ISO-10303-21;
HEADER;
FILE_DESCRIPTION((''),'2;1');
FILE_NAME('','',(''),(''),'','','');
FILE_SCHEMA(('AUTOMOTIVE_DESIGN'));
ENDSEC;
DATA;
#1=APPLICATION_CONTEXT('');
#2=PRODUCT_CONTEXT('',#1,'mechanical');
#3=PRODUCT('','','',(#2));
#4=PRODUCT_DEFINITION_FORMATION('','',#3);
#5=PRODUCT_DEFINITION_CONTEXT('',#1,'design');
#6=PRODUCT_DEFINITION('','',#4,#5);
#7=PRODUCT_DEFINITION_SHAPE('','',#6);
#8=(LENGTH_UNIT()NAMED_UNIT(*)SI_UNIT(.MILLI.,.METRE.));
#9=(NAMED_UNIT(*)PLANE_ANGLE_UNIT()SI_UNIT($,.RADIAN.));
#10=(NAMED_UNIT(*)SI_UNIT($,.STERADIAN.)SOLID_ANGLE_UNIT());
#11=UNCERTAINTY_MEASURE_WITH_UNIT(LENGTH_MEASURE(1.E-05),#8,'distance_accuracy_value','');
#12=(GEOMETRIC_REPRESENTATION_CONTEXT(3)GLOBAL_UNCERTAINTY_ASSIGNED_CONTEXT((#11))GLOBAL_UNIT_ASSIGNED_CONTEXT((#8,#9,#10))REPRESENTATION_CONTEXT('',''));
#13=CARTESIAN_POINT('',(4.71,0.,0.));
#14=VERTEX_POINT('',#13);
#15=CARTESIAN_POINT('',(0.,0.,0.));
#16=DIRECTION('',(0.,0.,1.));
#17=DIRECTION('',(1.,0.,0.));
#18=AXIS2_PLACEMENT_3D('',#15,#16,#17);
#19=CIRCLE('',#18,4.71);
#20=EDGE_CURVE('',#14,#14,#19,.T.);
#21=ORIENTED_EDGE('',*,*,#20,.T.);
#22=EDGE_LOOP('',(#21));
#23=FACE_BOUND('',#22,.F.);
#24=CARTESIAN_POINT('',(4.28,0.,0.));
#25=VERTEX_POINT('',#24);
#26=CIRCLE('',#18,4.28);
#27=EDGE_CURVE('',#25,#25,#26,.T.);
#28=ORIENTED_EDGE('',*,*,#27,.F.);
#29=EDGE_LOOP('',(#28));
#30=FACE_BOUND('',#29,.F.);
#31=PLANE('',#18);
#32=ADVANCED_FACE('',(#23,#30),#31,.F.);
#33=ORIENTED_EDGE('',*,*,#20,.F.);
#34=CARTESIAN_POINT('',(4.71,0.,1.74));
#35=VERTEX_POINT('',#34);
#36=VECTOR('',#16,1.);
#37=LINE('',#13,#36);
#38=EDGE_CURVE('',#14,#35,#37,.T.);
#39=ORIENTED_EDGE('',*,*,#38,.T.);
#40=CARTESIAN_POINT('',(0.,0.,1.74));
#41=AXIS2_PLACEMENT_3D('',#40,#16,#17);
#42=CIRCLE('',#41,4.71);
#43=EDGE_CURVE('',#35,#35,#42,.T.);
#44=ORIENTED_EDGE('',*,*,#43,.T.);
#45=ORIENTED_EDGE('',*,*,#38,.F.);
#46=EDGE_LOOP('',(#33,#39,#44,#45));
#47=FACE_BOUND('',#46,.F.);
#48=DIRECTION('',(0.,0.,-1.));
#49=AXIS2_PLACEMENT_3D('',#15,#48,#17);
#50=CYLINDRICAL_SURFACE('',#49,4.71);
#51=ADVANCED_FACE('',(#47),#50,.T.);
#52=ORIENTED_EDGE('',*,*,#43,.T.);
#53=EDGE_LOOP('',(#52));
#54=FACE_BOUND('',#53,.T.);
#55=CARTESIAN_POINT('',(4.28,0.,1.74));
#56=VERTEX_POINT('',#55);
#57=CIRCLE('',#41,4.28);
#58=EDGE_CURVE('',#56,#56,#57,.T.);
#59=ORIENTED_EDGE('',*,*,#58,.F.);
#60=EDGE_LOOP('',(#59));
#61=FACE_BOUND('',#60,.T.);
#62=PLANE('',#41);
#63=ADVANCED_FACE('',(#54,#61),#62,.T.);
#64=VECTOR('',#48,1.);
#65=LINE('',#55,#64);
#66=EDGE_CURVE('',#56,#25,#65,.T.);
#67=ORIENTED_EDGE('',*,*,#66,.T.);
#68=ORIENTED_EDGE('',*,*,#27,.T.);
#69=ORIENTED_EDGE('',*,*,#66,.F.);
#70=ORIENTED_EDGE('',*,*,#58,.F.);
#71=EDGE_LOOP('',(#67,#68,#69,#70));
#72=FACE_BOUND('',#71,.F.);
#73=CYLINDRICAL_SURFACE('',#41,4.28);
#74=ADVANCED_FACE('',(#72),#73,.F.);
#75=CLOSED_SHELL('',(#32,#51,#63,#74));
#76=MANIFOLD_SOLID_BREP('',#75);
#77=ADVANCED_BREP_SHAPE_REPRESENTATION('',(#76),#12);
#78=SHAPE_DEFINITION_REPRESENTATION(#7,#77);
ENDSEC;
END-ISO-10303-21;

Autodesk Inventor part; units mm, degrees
ref_plane "YZ Plane" through (0, 0, 0) normal (1, 0, 0) x (0, 1, 0)
ref_plane "XZ Plane" through (0, 0, 0) normal (0, 1, 0) x (-1, 0, 0)
ref_plane "XY Plane" through (0, 0, 0) normal (0, 0, 1) x (1, 0, 0)
sketch "Sketch1" plane through (0, 0, 0) normal (0, 0, 1) x (1, 0, 0)
  circle A0 centre (0, 0) radius 4.71
  dimension "d0" = 9.42
extrude "Extrusion1" add sketch "Sketch1" along normal blind 1.74
sketch "Sketch2" plane through (0, 0, 1.74) normal (0, 0, 1) x (1, 0, 0)
  circle A0 centre (0, 0) radius 4.28
  dimension "d3" = 8.56
extrude "Extrusion2" cut sketch "Sketch2" against normal through all
properties part number "MIRROR_E"
